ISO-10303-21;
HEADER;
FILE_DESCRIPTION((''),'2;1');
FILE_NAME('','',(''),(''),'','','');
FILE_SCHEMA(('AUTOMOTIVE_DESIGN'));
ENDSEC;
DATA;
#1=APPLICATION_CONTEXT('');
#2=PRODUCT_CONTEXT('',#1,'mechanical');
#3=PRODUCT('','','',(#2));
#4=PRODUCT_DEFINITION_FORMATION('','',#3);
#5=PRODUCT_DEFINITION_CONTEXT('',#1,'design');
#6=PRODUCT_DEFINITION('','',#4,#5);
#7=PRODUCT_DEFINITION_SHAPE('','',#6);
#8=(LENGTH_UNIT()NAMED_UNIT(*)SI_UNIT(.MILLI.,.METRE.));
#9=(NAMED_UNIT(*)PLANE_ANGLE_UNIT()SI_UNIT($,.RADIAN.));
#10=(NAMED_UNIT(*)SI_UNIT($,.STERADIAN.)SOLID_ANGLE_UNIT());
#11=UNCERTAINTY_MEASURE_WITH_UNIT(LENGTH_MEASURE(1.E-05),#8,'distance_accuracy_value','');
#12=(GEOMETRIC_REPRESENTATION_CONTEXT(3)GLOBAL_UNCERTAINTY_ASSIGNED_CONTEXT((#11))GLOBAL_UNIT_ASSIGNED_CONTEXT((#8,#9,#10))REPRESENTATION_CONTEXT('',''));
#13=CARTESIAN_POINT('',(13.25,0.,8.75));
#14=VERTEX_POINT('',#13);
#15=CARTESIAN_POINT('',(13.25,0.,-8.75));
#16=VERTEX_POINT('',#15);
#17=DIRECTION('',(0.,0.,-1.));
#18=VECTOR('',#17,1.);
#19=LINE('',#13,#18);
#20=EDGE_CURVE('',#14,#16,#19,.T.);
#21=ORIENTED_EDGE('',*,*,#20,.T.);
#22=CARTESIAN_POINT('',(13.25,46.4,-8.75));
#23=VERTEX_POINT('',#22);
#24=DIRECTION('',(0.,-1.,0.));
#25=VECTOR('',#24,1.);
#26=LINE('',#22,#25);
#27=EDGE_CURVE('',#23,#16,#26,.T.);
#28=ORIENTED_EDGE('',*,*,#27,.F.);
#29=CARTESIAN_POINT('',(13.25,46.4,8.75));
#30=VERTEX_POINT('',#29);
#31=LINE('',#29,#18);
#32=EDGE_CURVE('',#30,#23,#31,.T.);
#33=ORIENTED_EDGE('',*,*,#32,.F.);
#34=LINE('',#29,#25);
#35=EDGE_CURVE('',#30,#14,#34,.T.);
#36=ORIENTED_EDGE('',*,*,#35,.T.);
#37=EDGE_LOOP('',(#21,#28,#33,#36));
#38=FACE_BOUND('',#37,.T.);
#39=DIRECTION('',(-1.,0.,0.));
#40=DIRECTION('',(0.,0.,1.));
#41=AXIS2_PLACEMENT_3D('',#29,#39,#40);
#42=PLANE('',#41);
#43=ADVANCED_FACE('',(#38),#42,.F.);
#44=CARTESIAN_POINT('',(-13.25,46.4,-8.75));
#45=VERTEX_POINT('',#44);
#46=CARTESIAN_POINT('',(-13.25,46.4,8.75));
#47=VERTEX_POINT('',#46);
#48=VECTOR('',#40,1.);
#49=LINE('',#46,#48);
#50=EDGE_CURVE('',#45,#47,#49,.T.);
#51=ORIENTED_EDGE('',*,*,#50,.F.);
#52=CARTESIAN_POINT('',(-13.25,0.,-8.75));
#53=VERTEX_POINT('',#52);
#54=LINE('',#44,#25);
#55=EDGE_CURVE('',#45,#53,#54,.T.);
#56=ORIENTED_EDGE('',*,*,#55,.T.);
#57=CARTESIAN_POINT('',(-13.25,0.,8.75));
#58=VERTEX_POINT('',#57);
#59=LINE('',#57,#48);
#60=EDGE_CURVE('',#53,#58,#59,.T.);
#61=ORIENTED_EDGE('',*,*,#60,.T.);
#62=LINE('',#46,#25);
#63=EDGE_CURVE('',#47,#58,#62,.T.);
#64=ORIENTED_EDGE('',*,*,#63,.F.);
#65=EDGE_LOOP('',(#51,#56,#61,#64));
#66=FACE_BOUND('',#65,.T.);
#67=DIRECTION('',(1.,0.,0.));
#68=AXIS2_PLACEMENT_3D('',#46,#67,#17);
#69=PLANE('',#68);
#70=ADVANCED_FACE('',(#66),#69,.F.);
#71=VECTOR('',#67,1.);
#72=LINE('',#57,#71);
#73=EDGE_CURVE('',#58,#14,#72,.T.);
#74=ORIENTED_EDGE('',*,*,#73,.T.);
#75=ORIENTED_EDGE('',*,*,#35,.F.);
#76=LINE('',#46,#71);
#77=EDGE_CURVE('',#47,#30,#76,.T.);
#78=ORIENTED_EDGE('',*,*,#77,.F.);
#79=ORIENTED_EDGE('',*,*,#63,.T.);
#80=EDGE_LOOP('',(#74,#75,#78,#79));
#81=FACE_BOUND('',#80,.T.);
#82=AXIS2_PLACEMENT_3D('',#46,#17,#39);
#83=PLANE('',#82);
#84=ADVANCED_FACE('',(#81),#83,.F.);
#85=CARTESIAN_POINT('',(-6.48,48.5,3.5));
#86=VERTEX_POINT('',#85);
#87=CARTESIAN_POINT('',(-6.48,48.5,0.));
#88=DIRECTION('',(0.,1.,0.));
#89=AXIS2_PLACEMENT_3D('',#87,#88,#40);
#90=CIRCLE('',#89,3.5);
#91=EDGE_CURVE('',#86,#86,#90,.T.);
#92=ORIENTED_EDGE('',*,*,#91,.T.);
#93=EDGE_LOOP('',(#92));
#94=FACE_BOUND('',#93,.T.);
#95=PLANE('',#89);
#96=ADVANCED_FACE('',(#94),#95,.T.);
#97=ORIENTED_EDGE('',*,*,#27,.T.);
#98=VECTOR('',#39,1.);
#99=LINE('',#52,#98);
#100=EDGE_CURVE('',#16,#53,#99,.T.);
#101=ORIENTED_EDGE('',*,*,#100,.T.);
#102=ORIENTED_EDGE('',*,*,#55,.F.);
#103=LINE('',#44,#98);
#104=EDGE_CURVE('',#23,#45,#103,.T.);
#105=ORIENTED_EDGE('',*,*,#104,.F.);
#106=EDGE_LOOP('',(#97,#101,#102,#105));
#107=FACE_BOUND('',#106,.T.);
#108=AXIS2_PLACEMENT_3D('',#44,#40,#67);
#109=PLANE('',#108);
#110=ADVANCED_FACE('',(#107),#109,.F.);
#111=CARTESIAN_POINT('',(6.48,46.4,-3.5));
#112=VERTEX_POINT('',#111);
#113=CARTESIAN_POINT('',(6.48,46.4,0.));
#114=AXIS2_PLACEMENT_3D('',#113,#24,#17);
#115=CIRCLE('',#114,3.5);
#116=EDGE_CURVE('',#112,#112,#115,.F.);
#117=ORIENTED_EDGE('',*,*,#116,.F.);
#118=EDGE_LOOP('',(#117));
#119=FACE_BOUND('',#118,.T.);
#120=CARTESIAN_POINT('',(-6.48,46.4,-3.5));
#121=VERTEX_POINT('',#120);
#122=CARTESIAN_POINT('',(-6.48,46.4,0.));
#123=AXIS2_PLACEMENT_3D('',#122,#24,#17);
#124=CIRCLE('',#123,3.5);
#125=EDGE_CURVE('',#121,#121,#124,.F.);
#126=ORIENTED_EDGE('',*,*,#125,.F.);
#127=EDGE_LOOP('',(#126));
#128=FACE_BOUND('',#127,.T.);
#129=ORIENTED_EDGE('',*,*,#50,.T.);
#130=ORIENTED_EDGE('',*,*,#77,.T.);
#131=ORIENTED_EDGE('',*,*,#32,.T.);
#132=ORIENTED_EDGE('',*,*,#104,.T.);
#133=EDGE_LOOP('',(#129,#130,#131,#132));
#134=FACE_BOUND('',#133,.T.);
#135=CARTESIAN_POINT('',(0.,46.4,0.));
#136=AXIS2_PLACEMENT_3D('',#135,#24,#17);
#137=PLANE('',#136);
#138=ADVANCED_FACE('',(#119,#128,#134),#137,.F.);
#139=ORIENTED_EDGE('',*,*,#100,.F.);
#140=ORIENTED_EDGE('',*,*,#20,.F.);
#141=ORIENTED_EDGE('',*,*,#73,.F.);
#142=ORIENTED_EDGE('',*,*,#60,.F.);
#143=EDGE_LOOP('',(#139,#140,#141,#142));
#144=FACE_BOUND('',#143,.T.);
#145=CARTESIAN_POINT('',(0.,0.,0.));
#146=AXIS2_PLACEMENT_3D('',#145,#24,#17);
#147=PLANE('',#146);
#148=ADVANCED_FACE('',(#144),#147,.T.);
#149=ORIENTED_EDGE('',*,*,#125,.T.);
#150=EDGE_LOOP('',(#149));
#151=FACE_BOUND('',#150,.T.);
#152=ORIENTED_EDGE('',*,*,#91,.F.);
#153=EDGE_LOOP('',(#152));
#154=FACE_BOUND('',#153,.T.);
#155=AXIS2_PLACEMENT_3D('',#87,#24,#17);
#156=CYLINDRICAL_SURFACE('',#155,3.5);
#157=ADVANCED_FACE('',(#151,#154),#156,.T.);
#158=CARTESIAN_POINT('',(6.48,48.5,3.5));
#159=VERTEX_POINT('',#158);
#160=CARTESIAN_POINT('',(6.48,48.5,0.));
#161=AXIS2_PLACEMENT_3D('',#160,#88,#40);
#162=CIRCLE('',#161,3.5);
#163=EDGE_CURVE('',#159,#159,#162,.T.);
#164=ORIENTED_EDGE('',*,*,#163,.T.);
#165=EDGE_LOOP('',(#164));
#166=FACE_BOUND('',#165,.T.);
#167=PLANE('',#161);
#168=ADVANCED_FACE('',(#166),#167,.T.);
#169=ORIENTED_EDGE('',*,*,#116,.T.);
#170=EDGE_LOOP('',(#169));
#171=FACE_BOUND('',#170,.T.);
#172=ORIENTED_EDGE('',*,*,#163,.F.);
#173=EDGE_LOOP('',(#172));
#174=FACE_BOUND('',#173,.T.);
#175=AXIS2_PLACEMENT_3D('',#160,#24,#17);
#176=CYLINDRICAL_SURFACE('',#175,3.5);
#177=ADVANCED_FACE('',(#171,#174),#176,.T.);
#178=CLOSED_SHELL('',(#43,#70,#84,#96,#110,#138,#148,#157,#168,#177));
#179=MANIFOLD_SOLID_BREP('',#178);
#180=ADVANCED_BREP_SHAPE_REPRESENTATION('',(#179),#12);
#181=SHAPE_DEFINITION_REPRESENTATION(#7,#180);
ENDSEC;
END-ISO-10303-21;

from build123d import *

# Parameters (mm, degrees)
SKETCH1_W           = 26.5
SKETCH1_H           = 17.5
BOSS_EXTRUDE1_DEPTH = 46.4
SKETCH2_R           = 3.5
BOSS_EXTRUDE2_DEPTH = 2.1


with BuildPart() as part:
    # Sketch1 → Boss-Extrude1 (new body)
    with BuildSketch(Plane(origin=(0, 0, 0), x_dir=(1, 0, 0), z_dir=(0, 1, 0))):
        Rectangle(SKETCH1_W, SKETCH1_H)
    extrude(amount=BOSS_EXTRUDE1_DEPTH)

    # Sketch2 → Boss-Extrude2 (add)
    with BuildSketch(Plane(origin=(0, 46.4, 0), x_dir=(1, 0, 0), z_dir=(0, 1, 0))):
        with Locations(Location((-6.48, 0, 0), (0, 0, 90))):
            Circle(SKETCH2_R)
        with Locations(Location((6.48, 0, 0), (0, 0, 90))):
            Circle(SKETCH2_R)
    extrude(amount=BOSS_EXTRUDE2_DEPTH)


solid = part.part
